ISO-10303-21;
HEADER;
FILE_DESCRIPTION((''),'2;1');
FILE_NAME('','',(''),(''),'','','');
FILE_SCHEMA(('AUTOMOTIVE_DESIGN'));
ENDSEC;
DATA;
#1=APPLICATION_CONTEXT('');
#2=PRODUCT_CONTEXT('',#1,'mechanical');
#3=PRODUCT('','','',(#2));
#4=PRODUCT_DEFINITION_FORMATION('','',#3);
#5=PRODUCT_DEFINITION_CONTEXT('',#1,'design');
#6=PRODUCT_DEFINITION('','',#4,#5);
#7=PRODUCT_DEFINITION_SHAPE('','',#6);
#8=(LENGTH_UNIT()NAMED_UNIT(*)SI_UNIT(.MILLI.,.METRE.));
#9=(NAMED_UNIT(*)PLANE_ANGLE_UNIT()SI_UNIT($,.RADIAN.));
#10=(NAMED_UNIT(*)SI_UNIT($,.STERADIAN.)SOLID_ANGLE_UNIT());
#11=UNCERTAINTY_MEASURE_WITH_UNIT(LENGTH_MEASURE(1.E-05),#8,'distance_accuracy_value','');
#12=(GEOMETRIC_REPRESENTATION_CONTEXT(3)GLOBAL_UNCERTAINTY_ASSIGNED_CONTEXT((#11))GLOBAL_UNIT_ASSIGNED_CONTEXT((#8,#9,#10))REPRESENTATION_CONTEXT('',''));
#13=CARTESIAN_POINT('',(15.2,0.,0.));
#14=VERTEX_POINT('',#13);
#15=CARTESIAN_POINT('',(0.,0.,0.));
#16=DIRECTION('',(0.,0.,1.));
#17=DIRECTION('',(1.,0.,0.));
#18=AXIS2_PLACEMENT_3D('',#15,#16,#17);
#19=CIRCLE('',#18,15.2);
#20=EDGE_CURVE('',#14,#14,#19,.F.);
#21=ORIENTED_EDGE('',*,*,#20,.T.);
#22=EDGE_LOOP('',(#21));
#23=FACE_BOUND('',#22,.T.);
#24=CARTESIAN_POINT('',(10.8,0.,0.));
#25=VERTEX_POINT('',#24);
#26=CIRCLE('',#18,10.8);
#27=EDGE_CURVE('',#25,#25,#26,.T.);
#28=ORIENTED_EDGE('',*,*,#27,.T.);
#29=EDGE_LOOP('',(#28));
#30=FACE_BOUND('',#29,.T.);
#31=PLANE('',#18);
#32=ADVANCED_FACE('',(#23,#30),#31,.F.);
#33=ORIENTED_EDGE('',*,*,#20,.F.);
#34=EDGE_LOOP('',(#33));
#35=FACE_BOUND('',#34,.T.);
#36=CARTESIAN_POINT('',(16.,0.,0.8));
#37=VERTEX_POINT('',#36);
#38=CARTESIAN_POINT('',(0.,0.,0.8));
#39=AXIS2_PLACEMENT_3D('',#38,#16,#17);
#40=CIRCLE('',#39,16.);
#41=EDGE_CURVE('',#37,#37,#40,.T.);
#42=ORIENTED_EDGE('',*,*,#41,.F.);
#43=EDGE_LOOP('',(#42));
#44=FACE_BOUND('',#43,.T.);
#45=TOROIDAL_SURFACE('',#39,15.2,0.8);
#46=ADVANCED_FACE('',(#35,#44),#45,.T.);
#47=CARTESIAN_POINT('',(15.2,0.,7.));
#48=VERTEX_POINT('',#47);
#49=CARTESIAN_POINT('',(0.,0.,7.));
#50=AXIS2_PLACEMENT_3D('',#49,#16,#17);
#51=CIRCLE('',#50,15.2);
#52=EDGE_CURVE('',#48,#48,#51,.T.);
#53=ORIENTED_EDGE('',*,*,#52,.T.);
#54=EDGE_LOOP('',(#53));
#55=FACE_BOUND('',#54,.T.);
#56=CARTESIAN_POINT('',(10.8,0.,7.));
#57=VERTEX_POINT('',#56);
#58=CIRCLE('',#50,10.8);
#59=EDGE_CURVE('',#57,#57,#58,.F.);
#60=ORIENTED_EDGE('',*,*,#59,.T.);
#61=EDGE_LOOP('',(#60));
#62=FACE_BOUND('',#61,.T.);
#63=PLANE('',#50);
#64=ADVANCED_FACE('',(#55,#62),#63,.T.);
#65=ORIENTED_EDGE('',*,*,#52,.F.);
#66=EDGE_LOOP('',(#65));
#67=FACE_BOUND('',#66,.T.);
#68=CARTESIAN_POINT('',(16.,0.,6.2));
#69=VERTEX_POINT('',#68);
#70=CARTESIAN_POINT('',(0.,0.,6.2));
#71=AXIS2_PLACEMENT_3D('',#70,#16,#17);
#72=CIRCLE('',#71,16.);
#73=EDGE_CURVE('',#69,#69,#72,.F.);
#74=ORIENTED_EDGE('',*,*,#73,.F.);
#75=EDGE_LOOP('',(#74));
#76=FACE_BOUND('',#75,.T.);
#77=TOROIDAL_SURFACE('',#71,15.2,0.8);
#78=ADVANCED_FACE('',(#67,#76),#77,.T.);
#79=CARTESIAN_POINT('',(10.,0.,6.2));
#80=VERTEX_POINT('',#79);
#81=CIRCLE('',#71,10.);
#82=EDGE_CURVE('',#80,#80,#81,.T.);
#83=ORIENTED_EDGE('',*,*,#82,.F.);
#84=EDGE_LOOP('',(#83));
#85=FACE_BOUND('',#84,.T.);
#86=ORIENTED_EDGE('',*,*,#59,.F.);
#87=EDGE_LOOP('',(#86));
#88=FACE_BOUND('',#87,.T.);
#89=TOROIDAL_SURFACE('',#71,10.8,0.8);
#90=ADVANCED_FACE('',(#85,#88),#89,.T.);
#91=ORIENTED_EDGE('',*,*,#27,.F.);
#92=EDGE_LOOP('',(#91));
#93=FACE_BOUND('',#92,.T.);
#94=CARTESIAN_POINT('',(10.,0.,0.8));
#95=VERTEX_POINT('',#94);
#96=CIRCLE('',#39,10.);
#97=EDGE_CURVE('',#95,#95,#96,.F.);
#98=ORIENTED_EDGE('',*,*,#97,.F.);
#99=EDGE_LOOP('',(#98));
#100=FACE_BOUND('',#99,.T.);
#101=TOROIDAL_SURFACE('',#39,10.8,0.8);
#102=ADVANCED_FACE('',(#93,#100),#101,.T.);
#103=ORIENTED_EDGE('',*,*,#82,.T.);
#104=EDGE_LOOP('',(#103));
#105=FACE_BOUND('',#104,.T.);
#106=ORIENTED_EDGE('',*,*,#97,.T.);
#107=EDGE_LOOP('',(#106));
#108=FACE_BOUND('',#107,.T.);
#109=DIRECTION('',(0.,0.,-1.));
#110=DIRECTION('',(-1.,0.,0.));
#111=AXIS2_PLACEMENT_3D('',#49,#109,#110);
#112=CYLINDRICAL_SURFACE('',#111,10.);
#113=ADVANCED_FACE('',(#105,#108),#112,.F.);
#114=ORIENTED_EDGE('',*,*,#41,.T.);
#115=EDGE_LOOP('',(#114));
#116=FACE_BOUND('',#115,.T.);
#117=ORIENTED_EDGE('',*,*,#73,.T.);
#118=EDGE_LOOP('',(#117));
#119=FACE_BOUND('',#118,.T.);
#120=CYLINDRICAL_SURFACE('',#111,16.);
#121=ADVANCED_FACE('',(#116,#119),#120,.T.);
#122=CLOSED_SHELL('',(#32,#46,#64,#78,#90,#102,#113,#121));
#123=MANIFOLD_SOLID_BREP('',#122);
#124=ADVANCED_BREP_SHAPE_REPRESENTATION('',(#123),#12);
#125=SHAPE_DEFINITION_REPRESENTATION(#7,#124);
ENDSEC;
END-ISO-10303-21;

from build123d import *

# Parameters (mm, degrees)
SKETCH1_R           = 16
SKETCH1_R_2         = 10
BOSS_EXTRUDE1_DEPTH = 7
FILLET1_R           = 0.8


with BuildPart() as part:
    # Sketch1 → Boss-Extrude1 (new body)
    with BuildSketch(Plane.XY):
        Circle(SKETCH1_R)
        Circle(SKETCH1_R_2, mode=Mode.SUBTRACT)
    extrude(amount=BOSS_EXTRUDE1_DEPTH)

    # Fillet1
    fillet1_edges = [part.edges().sort_by_distance(p)[0] for p in [
        (-16, 0, 0),
        (-16, 0, 7),
        (-10, 0, 0),
        (-10, 0, 7),
    ]]
    fillet(fillet1_edges, radius=FILLET1_R)


solid = part.part
